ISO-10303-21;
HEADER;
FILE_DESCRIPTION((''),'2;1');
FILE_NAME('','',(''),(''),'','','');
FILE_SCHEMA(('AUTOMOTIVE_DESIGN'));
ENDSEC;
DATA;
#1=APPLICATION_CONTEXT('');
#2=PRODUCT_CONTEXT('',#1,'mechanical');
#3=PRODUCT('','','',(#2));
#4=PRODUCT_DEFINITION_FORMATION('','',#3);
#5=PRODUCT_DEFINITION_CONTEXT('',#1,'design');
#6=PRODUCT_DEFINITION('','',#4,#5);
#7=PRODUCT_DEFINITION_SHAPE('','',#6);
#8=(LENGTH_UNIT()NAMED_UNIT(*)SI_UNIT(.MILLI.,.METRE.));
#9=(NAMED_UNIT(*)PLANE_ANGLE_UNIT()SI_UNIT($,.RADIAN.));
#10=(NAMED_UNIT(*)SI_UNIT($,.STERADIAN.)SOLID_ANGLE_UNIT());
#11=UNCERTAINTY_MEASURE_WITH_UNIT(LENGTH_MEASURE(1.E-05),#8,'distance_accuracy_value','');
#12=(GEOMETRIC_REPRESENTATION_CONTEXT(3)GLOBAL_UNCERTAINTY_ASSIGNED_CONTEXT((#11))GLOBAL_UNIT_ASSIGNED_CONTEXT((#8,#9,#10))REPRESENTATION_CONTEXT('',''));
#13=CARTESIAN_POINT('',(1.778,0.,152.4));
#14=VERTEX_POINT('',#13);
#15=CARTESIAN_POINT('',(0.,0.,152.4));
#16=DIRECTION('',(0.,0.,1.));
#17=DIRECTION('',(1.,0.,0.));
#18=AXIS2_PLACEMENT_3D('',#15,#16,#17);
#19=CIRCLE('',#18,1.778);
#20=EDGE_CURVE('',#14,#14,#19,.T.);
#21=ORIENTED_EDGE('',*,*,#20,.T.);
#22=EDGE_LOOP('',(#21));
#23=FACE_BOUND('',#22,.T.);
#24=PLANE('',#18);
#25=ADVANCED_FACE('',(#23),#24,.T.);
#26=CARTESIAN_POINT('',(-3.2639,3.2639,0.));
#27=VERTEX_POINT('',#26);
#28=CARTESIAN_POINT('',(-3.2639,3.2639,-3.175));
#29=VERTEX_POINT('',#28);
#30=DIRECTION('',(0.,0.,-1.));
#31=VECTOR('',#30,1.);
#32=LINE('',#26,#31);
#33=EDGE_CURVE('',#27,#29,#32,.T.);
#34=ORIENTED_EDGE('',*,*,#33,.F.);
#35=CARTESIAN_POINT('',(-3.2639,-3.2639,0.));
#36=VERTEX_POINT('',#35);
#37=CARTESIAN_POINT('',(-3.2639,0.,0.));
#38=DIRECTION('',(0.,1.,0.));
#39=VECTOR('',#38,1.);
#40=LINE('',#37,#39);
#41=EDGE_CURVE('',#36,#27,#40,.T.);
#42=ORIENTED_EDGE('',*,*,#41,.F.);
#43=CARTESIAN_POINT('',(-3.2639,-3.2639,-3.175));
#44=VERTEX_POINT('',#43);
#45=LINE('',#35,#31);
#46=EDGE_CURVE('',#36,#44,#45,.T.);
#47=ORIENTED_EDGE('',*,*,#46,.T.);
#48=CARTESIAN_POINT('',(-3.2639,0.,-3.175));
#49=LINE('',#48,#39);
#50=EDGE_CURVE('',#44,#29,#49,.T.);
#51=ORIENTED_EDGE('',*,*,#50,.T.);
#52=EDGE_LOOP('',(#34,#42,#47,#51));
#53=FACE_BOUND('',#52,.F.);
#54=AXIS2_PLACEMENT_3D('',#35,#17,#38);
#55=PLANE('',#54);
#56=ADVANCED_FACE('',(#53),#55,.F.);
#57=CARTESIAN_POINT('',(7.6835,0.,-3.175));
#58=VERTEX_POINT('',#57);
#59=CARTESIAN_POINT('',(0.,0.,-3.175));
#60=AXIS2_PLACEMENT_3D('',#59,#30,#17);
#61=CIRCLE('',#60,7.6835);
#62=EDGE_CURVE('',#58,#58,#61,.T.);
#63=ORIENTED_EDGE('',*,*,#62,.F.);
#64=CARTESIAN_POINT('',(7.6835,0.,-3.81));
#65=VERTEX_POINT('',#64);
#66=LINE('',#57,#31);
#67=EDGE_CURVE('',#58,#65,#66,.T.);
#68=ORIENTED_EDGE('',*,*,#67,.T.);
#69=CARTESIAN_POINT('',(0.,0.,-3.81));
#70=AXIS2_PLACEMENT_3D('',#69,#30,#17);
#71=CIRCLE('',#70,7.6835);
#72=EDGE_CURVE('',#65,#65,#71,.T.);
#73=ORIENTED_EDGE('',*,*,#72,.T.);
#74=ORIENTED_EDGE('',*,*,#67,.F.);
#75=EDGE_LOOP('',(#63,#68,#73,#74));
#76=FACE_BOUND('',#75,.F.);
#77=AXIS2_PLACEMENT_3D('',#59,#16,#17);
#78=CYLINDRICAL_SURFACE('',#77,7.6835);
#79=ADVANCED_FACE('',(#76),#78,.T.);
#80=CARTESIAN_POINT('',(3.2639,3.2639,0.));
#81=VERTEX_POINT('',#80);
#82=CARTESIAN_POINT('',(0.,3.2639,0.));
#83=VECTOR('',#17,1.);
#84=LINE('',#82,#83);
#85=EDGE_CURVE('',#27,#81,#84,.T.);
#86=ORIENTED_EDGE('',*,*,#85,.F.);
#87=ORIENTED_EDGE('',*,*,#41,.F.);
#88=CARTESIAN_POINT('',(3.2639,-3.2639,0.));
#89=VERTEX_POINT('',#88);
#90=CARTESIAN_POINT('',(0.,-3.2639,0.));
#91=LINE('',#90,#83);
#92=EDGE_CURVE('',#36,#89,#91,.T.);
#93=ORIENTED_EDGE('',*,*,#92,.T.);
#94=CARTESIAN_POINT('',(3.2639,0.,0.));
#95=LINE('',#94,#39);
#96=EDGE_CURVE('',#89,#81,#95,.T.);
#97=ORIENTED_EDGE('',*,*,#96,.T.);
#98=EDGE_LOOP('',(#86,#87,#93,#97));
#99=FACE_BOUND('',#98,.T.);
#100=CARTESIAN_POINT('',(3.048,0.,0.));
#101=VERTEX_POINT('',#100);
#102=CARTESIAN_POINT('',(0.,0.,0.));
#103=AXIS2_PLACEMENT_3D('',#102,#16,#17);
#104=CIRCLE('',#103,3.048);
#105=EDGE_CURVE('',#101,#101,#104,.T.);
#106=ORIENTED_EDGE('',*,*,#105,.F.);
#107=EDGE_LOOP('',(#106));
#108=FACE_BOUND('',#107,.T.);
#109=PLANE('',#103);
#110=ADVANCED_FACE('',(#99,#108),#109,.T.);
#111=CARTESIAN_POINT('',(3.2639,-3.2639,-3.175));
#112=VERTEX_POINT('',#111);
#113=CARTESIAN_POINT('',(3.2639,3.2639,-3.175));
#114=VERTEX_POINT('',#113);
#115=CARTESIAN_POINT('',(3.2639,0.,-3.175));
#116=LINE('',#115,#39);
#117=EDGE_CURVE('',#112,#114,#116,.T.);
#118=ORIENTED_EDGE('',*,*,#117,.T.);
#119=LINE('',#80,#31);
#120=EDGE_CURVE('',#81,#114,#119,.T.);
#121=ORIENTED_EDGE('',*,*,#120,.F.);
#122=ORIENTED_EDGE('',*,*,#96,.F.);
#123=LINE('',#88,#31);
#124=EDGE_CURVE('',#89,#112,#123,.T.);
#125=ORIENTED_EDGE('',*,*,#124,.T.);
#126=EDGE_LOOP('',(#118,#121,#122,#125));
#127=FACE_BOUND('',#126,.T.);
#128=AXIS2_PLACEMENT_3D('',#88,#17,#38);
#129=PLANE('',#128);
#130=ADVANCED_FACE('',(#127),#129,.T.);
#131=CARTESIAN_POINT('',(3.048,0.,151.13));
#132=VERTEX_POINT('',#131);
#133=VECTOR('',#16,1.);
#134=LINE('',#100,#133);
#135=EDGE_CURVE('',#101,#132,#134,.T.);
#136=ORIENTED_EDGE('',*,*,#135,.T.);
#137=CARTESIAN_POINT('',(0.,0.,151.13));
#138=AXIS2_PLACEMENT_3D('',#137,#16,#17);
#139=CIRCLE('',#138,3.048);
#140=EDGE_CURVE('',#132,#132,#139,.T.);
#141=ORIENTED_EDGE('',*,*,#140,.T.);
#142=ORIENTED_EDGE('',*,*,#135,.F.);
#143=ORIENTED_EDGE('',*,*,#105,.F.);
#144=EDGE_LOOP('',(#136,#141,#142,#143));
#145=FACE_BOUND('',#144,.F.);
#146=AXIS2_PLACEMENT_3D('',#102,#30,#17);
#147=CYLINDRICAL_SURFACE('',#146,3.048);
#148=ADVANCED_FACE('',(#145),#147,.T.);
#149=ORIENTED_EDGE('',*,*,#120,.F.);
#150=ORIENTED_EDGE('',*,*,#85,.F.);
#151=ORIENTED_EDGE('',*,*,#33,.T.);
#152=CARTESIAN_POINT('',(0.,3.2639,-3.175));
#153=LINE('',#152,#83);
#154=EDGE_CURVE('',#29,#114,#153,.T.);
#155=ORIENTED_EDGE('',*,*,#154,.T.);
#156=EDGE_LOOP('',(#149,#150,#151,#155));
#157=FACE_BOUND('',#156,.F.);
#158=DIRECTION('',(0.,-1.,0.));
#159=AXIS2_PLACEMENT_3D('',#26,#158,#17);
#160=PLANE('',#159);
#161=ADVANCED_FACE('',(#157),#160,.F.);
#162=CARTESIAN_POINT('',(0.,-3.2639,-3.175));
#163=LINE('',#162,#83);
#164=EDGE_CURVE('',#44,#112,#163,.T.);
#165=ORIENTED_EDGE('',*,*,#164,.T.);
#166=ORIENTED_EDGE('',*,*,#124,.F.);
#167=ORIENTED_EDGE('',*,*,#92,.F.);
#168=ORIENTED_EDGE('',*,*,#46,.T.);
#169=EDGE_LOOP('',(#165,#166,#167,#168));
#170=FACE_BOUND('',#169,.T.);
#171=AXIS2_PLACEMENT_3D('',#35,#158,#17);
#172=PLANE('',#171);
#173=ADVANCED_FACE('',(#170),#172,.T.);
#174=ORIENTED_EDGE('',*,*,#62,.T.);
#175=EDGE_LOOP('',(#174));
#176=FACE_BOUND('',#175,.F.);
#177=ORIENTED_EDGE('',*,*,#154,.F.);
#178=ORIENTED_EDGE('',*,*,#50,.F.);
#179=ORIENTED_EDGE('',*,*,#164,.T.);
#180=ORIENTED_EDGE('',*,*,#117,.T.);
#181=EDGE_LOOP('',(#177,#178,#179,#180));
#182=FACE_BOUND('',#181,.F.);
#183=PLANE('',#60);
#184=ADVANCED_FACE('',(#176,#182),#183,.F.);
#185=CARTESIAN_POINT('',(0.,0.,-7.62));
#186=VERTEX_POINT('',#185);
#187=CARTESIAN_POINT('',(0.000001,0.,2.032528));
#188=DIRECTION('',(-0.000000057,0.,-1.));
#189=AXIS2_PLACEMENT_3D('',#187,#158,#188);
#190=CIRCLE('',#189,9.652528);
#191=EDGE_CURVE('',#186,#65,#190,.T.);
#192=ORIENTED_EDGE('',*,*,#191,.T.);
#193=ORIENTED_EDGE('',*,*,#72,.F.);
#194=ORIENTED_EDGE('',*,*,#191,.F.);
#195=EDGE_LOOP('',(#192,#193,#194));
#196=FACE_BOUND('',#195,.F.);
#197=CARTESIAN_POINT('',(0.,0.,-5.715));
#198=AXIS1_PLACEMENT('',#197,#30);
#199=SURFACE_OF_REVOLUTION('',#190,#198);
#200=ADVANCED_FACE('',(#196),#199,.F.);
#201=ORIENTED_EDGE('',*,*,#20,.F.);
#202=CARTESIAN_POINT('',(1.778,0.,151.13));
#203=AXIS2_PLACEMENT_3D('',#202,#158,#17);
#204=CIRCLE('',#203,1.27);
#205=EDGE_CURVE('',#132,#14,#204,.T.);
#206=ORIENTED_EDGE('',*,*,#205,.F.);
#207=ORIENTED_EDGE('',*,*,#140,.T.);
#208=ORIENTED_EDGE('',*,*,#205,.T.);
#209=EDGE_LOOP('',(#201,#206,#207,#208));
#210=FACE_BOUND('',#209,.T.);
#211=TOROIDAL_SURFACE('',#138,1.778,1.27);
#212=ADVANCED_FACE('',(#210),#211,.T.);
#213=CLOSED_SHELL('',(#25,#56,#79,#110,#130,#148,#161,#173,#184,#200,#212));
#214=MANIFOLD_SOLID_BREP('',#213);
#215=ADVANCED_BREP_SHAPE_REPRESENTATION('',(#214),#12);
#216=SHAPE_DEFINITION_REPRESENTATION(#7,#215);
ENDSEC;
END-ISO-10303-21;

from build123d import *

# Parameters (mm, degrees)
F0_R     = 3.048
F1_DEPTH = 152.4
F2_W     = 6.5278
F2_H     = 6.5278
F3_DEPTH = 3.175
F4_R     = 7.6835
F5_DEPTH = 0.635
F8_R     = 1.27


with BuildPart() as f1:
    # F0 (on Top) → F1 (new body)
    with BuildSketch(Plane.XY):
        Circle(F0_R)
    extrude(amount=F1_DEPTH)

    # F2 (on Top) → F3 (join)
    with BuildSketch(Plane.XY):
        Rectangle(F2_W, F2_H)
    extrude(amount=-F3_DEPTH)

    # F4 (on face) → F5 (join)
    with BuildSketch(Plane(origin=(0, 0, -3.175), x_dir=(1, 0, 0), z_dir=(0, 0, -1))):
        Circle(F4_R)
    extrude(amount=F5_DEPTH)

    # F6 (on Front) → F7 (revolve)
    with BuildSketch(Plane.XZ):
        with BuildLine():
            Line((0, -3.81), (0, -7.62))
            ThreePointArc((0, -7.62), (4.288131, -6.615202), (7.6835, -3.81))
            Line((7.6835, -3.81), (0, -3.81))
        make_face()
    revolve(axis=Axis((0, 0, -5.715), (0, 0, -1)))

    # F8
    f8_edges = [f1.edges().sort_by_distance(p)[0] for p in [
        (-3.048, 0, 152.4),
    ]]
    fillet(f8_edges, radius=F8_R)


solid = f1.part
